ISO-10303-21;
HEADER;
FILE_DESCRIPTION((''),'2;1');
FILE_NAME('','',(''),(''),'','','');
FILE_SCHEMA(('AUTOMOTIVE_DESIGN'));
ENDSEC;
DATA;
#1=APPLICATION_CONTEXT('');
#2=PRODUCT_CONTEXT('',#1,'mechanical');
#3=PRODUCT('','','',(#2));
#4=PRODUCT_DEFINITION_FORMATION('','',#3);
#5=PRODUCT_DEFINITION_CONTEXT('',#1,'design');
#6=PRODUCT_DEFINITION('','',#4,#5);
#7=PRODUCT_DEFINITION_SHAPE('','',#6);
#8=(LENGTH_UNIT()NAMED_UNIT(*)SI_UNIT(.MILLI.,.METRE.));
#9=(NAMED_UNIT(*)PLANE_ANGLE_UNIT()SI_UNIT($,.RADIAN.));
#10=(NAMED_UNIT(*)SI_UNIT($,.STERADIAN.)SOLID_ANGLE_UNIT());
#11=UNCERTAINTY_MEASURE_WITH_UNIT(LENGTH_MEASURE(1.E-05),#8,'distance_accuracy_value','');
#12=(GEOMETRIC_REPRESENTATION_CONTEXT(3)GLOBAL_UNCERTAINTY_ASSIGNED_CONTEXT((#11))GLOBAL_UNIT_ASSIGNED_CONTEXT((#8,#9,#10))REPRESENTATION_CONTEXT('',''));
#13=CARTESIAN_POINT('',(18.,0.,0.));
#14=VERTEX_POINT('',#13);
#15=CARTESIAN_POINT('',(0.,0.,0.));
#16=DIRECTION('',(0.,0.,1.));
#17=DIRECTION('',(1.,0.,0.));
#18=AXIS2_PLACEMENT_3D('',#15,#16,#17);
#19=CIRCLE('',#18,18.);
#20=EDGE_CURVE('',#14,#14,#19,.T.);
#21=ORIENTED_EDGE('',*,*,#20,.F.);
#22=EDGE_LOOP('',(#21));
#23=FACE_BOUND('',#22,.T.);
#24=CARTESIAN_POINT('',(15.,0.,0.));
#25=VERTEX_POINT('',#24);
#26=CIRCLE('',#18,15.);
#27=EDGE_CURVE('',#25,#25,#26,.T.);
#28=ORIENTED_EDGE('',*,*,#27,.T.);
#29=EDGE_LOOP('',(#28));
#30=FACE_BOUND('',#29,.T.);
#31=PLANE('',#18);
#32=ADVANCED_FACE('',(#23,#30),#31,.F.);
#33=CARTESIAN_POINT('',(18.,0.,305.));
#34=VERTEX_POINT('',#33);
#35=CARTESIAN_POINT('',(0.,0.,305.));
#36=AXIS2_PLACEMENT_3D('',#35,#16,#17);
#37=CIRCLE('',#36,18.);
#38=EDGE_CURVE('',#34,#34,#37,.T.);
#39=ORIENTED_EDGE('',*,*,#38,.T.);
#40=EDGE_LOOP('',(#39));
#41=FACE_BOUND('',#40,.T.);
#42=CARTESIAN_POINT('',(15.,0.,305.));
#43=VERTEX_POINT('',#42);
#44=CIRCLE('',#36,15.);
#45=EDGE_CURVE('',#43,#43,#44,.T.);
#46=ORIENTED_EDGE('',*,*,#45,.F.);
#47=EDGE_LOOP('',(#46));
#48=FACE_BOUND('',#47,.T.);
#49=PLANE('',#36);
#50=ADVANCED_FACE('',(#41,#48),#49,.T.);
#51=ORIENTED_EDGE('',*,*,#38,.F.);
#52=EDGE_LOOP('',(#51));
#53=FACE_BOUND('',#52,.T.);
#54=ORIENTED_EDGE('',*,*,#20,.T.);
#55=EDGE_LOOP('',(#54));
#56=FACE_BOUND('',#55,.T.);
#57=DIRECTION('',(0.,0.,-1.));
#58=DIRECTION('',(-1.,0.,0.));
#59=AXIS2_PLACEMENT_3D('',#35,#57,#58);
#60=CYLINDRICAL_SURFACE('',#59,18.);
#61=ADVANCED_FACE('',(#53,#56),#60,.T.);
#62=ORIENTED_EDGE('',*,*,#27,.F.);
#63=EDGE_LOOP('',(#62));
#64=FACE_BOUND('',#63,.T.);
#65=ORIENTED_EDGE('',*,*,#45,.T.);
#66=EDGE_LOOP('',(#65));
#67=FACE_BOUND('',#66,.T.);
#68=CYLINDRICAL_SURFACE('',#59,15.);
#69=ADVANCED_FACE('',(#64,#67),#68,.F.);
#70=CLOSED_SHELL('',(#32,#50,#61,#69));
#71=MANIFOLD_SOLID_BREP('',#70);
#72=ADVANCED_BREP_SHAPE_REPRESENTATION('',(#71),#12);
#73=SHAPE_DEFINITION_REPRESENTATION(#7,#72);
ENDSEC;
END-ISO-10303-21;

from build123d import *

# Parameters (mm, degrees)
ESQUISSE1_R        = 18
ESQUISSE1_R_2      = 15
EXTRU_MINCE1_DEPTH = 305


with BuildPart() as part:
    # Esquisse1 → Extru.-Mince1 (new body)
    with BuildSketch(Plane.XY):
        Circle(ESQUISSE1_R)
        Circle(ESQUISSE1_R_2, mode=Mode.SUBTRACT)
    extrude(amount=EXTRU_MINCE1_DEPTH)


solid = part.part
